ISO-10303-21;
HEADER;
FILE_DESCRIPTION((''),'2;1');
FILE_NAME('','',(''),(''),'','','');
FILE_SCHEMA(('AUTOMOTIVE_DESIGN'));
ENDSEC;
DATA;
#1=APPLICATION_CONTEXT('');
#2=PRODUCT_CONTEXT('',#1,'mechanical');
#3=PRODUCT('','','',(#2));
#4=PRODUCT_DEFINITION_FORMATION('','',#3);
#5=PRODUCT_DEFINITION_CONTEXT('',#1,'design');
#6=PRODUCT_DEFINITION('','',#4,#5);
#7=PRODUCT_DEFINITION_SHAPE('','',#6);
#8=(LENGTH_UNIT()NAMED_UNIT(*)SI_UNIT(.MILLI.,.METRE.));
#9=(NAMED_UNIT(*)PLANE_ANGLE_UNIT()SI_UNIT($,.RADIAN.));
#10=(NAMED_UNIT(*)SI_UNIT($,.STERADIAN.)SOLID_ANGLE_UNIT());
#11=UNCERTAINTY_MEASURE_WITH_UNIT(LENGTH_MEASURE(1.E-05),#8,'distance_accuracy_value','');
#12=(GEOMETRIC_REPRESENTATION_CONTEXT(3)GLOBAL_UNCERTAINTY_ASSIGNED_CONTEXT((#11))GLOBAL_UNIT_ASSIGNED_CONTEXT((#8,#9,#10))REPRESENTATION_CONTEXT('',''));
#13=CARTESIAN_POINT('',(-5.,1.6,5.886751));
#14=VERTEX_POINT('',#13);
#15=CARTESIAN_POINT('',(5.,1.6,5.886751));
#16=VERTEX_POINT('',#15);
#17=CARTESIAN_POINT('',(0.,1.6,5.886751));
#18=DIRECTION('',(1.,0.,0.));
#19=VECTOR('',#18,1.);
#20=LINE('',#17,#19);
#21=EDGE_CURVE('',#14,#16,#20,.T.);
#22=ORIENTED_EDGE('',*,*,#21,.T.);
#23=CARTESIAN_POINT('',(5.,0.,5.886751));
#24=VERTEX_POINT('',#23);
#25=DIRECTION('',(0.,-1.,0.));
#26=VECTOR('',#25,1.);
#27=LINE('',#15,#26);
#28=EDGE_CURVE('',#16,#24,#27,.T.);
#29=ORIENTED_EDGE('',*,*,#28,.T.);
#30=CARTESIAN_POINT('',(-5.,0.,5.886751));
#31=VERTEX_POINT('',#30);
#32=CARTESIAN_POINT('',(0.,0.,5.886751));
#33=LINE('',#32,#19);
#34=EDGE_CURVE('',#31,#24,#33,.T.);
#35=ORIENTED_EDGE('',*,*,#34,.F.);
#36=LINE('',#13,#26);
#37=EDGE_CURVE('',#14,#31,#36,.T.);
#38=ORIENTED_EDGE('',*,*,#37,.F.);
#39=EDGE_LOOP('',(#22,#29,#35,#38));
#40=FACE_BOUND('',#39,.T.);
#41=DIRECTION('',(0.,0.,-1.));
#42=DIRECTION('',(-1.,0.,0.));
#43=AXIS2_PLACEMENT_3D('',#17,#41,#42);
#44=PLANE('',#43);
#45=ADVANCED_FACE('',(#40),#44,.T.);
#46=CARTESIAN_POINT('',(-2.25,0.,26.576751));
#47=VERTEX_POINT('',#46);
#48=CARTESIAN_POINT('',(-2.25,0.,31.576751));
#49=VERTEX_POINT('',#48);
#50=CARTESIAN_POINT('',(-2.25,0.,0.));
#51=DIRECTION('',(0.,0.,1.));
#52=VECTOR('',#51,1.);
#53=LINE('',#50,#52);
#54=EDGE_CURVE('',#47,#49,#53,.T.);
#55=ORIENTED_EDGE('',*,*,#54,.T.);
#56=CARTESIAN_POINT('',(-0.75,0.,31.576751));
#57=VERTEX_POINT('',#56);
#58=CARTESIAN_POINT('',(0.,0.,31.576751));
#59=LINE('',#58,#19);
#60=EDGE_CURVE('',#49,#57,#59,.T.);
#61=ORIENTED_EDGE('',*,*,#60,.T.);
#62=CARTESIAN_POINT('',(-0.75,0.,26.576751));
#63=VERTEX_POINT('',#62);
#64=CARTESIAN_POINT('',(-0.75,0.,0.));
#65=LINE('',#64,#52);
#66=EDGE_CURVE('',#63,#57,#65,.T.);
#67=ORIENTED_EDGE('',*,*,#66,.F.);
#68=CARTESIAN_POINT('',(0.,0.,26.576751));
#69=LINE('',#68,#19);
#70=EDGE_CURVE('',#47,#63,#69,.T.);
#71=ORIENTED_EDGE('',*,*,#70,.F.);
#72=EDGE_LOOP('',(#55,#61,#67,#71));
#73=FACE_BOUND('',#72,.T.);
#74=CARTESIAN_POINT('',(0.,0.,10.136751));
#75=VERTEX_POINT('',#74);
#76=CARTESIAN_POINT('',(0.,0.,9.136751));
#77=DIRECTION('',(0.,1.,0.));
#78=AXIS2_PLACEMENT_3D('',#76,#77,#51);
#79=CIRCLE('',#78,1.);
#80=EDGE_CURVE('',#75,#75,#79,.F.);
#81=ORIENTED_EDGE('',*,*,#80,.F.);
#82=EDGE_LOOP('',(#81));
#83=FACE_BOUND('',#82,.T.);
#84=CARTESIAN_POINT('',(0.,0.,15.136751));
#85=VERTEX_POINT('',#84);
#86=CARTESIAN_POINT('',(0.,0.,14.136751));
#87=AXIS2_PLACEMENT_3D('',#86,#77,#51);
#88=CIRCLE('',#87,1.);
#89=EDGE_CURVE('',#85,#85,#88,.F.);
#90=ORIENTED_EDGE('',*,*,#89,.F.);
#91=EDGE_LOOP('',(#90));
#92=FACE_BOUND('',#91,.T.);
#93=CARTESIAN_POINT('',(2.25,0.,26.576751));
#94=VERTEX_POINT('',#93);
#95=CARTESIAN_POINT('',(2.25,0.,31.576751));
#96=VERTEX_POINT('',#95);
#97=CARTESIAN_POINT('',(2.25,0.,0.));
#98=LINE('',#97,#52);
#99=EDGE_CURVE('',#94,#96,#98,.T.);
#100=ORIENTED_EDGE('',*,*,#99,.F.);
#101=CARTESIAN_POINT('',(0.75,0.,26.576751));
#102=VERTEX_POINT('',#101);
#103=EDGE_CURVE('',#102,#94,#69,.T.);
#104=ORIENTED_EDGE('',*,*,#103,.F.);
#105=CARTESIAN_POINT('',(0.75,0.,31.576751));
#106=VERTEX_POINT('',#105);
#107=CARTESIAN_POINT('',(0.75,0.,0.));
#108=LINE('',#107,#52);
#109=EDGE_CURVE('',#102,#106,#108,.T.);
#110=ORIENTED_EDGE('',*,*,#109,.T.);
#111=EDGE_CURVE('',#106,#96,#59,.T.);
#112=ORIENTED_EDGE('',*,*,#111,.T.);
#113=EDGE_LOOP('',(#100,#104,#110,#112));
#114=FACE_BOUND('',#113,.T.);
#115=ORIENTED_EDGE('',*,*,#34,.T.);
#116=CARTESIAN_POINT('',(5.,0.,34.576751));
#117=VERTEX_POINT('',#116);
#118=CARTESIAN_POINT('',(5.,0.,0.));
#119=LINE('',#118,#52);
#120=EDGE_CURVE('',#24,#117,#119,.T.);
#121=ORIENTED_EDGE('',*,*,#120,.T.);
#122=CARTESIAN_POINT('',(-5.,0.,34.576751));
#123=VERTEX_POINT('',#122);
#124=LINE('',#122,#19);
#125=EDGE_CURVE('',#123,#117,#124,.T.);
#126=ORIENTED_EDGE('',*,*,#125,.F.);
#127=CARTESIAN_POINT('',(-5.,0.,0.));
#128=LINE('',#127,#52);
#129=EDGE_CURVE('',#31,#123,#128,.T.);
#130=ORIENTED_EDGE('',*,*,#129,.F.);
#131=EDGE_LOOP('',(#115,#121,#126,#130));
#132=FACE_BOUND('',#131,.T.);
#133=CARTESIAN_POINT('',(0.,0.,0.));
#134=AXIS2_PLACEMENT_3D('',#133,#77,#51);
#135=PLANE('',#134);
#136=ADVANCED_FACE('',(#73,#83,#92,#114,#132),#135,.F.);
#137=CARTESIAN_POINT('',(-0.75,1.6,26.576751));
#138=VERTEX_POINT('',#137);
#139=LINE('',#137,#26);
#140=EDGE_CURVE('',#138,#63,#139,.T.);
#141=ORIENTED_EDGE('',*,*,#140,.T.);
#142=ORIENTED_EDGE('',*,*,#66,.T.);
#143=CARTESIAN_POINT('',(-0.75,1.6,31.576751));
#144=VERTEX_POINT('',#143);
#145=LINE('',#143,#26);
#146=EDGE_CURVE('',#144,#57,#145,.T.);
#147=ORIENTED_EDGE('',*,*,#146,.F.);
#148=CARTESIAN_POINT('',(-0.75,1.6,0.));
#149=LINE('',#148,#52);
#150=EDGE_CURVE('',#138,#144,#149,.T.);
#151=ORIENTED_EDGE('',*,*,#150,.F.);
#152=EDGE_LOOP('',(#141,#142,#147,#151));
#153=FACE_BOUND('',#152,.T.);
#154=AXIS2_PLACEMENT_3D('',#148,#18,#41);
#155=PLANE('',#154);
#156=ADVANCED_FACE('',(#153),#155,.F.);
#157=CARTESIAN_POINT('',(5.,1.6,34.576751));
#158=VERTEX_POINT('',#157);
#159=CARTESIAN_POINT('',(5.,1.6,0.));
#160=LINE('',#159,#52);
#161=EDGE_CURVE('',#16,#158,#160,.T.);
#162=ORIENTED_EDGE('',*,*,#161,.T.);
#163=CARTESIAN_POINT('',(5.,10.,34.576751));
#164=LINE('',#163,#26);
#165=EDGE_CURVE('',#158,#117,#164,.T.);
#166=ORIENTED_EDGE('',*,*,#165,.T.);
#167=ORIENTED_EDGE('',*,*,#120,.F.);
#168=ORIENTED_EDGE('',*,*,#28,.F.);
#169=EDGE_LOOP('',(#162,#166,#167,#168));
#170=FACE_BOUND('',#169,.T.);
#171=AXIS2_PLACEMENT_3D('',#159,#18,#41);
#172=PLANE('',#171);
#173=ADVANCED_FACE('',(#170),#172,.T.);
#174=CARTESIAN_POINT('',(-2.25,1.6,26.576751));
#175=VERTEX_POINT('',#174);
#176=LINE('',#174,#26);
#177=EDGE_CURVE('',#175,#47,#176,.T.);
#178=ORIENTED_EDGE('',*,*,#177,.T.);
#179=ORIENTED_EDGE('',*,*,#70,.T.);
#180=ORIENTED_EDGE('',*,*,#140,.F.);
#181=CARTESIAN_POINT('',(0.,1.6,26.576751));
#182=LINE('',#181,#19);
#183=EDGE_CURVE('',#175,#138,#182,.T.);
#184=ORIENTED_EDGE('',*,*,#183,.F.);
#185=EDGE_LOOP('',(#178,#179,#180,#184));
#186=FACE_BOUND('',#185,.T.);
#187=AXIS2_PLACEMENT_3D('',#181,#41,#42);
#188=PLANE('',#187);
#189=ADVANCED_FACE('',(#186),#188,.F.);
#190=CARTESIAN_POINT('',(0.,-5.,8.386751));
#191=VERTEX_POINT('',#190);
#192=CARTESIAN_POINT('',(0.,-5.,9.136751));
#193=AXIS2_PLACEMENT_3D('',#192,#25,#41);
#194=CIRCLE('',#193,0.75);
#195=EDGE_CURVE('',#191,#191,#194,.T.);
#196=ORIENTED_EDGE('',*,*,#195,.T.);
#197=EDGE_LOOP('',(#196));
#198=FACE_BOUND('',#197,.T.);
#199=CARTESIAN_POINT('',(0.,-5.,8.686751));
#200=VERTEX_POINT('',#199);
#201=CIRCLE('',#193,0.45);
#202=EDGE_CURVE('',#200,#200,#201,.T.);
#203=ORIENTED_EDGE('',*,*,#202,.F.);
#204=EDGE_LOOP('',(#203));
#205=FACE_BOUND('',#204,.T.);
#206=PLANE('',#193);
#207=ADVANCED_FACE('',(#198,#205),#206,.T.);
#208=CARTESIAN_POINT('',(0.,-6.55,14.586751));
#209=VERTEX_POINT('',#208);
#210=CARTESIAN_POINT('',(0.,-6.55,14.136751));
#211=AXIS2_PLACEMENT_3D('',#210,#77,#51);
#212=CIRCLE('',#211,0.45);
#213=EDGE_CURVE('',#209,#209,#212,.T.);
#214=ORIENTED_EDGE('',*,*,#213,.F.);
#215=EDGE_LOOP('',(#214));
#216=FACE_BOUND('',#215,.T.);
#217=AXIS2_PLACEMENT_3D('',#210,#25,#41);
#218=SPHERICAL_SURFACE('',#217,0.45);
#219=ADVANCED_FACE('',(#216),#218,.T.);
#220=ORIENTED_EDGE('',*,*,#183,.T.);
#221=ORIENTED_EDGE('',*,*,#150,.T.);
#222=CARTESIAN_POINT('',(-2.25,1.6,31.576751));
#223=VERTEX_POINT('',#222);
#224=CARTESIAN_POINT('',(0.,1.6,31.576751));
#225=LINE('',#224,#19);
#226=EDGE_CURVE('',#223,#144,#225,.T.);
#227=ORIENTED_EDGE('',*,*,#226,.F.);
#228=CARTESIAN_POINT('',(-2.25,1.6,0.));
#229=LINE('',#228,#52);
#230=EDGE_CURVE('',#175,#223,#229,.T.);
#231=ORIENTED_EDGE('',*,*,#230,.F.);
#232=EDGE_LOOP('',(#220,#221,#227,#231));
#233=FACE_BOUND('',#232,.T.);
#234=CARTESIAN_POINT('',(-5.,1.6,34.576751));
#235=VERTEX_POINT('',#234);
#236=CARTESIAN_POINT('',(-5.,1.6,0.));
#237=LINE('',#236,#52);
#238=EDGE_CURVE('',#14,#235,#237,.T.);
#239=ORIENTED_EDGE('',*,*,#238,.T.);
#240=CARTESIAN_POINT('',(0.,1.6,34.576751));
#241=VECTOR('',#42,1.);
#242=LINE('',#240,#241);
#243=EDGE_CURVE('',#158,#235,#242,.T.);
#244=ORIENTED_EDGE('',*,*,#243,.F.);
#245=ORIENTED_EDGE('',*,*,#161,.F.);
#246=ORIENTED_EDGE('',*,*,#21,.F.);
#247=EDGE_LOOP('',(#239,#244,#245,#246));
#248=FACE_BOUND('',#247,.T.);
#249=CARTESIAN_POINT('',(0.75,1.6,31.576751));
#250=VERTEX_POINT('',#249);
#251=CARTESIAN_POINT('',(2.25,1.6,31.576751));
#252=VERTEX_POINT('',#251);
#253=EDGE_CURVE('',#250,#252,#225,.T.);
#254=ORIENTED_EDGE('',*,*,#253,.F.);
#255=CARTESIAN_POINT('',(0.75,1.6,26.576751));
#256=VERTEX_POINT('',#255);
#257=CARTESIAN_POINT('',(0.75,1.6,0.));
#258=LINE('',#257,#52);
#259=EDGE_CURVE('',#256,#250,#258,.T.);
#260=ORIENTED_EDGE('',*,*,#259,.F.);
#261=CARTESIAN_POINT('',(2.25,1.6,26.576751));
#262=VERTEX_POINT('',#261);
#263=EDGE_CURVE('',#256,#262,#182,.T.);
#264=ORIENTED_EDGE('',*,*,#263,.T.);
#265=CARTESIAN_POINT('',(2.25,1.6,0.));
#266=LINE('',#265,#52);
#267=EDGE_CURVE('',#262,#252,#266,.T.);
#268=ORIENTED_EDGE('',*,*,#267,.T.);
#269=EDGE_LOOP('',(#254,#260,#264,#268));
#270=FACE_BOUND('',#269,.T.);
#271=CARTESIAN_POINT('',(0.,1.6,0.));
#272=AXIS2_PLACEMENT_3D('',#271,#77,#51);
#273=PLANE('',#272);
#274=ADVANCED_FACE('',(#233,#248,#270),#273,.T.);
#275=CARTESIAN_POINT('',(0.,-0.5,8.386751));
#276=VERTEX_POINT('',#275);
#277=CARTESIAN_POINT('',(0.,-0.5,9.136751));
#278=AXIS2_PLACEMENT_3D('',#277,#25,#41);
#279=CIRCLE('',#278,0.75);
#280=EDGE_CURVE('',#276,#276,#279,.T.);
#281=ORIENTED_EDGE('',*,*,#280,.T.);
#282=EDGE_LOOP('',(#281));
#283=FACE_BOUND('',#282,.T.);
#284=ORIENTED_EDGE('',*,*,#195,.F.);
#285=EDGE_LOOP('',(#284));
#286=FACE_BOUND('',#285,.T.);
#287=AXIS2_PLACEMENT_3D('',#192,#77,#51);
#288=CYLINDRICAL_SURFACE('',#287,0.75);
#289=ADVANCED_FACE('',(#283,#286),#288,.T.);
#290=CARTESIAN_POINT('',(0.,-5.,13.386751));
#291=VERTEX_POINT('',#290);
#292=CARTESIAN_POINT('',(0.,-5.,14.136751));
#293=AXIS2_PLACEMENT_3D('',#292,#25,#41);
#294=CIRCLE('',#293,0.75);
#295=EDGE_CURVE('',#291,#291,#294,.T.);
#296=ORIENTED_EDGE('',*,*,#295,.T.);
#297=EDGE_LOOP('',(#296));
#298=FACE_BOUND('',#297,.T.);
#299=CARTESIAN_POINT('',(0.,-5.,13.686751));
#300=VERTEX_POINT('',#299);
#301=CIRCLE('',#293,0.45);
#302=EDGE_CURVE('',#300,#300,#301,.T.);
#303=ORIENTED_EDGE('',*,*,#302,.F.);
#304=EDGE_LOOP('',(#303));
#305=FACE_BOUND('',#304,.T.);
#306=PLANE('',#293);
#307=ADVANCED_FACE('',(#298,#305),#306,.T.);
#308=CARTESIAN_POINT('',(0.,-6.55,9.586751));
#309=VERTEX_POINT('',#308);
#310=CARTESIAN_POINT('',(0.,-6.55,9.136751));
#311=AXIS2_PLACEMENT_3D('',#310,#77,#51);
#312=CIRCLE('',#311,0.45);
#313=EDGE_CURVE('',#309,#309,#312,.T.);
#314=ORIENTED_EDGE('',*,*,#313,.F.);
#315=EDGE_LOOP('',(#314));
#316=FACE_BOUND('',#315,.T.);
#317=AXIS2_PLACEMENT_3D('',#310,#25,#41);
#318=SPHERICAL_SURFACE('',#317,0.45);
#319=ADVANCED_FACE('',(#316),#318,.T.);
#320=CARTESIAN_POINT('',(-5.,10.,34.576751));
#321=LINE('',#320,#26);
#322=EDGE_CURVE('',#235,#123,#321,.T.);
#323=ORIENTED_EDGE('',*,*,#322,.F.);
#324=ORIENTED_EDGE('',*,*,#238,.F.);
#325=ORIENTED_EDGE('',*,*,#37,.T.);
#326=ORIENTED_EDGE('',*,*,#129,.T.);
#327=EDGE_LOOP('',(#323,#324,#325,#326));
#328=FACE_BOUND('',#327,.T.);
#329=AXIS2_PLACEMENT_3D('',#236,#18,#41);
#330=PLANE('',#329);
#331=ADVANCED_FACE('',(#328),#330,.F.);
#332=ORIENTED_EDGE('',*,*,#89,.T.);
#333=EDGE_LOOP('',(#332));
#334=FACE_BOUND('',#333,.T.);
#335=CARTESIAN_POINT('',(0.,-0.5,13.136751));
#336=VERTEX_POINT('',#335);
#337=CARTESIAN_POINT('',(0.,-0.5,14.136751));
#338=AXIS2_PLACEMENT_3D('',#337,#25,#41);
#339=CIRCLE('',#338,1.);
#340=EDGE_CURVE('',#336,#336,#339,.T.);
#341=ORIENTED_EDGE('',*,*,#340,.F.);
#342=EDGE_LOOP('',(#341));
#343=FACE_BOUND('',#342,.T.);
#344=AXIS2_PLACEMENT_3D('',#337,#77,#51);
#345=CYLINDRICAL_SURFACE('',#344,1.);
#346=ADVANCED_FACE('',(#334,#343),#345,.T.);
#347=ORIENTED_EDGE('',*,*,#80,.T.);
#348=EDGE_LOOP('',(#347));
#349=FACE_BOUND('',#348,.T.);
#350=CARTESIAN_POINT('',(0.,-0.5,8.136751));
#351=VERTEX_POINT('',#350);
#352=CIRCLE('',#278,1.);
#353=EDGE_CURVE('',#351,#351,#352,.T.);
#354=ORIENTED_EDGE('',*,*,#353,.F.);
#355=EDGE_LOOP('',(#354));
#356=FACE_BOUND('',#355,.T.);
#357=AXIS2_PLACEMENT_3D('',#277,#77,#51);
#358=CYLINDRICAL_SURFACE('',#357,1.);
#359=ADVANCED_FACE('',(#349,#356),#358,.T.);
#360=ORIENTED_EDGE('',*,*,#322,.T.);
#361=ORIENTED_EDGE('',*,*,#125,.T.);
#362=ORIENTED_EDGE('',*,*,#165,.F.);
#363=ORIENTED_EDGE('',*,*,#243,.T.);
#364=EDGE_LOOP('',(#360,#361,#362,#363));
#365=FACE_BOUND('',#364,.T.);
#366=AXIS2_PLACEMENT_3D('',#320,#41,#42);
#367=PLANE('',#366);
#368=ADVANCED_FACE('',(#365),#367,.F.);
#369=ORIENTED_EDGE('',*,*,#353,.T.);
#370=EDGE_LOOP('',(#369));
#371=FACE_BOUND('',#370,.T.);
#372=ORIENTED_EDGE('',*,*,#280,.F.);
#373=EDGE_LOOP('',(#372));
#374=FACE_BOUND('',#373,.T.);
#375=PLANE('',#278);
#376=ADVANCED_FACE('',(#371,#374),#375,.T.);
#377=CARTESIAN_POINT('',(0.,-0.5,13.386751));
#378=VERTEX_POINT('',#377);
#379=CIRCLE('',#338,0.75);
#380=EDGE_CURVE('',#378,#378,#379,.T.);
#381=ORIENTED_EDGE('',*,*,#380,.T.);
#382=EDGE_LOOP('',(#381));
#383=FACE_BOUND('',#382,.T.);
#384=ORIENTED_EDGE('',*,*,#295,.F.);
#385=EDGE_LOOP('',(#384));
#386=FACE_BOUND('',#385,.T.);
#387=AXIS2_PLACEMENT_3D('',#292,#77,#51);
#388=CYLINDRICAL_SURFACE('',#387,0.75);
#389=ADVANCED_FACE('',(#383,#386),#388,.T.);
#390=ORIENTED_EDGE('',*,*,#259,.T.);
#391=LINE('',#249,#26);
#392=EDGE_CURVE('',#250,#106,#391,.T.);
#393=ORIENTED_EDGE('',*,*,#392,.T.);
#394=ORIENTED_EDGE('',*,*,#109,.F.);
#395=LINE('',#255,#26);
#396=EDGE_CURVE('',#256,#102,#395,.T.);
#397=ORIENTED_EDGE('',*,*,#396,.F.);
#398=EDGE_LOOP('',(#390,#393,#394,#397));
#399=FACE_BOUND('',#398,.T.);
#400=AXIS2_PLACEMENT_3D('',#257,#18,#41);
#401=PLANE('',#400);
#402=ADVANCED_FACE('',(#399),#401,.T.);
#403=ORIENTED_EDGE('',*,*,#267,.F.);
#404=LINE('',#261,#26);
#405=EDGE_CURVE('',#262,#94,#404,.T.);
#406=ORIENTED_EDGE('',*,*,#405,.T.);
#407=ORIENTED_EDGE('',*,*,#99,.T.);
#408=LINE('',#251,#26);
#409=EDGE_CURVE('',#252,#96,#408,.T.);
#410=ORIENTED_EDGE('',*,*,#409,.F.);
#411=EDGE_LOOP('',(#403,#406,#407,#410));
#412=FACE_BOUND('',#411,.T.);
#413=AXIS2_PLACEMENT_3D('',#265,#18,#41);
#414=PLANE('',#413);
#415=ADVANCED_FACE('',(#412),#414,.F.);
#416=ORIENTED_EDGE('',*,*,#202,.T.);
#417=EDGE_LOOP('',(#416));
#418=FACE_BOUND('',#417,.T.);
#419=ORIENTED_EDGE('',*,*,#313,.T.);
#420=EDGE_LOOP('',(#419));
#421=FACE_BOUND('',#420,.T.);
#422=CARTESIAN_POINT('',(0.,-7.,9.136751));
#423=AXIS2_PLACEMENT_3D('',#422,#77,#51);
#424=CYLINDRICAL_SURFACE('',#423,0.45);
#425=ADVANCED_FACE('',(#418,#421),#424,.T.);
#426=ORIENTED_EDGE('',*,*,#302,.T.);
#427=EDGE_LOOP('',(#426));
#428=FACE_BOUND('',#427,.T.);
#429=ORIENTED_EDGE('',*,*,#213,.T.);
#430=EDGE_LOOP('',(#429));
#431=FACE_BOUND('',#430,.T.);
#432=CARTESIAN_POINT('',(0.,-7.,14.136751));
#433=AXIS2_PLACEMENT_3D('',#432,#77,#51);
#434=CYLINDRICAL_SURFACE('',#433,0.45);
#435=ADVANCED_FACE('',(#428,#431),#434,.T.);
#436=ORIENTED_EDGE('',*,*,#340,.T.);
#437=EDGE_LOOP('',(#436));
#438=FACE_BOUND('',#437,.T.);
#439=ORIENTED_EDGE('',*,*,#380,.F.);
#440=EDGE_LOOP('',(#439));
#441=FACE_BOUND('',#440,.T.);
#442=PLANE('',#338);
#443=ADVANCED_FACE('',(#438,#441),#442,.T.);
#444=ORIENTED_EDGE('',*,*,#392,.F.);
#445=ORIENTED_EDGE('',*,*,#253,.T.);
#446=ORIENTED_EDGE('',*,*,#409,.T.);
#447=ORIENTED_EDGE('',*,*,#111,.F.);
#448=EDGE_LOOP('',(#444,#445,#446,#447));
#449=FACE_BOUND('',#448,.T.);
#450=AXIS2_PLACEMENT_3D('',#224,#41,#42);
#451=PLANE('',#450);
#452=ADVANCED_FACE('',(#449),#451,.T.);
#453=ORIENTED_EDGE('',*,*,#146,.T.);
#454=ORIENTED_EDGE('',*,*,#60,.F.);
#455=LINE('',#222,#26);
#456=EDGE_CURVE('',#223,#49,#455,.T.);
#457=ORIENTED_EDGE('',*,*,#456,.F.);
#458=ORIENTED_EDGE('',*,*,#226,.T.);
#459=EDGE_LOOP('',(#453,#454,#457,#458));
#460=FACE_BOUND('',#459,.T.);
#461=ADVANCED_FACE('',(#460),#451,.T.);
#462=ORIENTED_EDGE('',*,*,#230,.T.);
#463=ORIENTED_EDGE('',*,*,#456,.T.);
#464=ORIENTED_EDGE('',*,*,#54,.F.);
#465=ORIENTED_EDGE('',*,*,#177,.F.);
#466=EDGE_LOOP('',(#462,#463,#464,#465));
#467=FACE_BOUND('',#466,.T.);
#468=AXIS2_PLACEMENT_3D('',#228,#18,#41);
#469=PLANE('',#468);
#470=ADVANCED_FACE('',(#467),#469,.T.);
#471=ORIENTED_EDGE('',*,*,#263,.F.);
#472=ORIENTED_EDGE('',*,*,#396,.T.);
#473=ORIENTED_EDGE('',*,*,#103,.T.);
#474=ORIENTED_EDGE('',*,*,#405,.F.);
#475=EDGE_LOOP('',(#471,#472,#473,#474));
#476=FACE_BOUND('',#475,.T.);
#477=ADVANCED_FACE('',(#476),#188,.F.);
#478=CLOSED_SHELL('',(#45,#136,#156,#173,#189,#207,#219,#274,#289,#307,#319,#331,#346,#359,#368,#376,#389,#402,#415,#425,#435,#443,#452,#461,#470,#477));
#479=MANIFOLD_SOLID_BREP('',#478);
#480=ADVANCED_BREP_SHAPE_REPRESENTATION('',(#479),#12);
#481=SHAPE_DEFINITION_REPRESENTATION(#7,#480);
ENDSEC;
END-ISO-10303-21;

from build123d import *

# Parameters (mm, degrees)
SKETCH1_W           = 10
SKETCH1_H           = 31.69
SKETCH1_W_2         = 1.5
SKETCH1_H_2         = 5
BOSS_EXTRUDE1_DEPTH = 1.6
SKETCH4_R           = 1
BOSS_EXTRUDE2_DEPTH = 0.5
SKETCH5_R           = 0.75
BOSS_EXTRUDE3_DEPTH = 4.5
SKETCH6_R           = 0.45
BOSS_EXTRUDE4_DEPTH = 2
FILLET1_R           = 0.45
SKETCH7_W           = 10
SKETCH7_H           = 3
CUT_EXTRUDE1_DEPTH  = 10


with BuildPart() as part:
    # Sketch1 → Boss-Extrude1 (new body)
    with BuildSketch(Plane(origin=(0, 0, 0), x_dir=(1, 0, 0), z_dir=(0, 1, 0))):
        with Locations((0, -21.731751346)):
            Rectangle(SKETCH1_W, SKETCH1_H)
        with Locations((1.5, -29.076751346)):
            Rectangle(SKETCH1_W_2, SKETCH1_H_2, mode=Mode.SUBTRACT)
        with Locations((-1.5, -29.076751346)):
            Rectangle(SKETCH1_W_2, SKETCH1_H_2, mode=Mode.SUBTRACT)
    extrude(amount=BOSS_EXTRUDE1_DEPTH)

    # Sketch4 → Boss-Extrude2 (add)
    with BuildSketch(Plane.XZ):
        with Locations(Location((0, 9.136751346, 0), (0, 0, 90))):
            Circle(SKETCH4_R)
        with Locations(Location((0, 14.136751346, 0), (0, 0, 90))):
            Circle(SKETCH4_R)
    extrude(amount=BOSS_EXTRUDE2_DEPTH)

    # Sketch5 → Boss-Extrude3 (add)
    with BuildSketch(Plane.XZ.offset(0.5)):
        with Locations(Location((0, 9.136751346, 0), (0, 0, 270))):
            Circle(SKETCH5_R)
        with Locations(Location((0, 14.136751346, 0), (0, 0, 270))):
            Circle(SKETCH5_R)
    extrude(amount=BOSS_EXTRUDE3_DEPTH)

    # Sketch6 → Boss-Extrude4 (add)
    with BuildSketch(Plane.XZ.offset(5)):
        with Locations(Location((0, 9.136751346, 0), (0, 0, 270))):
            Circle(SKETCH6_R)
        with Locations(Location((0, 14.136751346, 0), (0, 0, 270))):
            Circle(SKETCH6_R)
    extrude(amount=BOSS_EXTRUDE4_DEPTH)

    # Fillet1
    fillet1_edges = [part.edges().sort_by_distance(p)[0] for p in [
        (0, -7, 9.586751346),
        (0, -7, 14.586751346),
    ]]
    fillet(fillet1_edges, radius=FILLET1_R)

    # Sketch7 → Cut-Extrude1 (cut)
    with BuildSketch(Plane.XZ):
        with Locations((0, 36.076751346)):
            Rectangle(SKETCH7_W, SKETCH7_H)
    extrude(amount=-CUT_EXTRUDE1_DEPTH, mode=Mode.SUBTRACT)


solid = part.part
